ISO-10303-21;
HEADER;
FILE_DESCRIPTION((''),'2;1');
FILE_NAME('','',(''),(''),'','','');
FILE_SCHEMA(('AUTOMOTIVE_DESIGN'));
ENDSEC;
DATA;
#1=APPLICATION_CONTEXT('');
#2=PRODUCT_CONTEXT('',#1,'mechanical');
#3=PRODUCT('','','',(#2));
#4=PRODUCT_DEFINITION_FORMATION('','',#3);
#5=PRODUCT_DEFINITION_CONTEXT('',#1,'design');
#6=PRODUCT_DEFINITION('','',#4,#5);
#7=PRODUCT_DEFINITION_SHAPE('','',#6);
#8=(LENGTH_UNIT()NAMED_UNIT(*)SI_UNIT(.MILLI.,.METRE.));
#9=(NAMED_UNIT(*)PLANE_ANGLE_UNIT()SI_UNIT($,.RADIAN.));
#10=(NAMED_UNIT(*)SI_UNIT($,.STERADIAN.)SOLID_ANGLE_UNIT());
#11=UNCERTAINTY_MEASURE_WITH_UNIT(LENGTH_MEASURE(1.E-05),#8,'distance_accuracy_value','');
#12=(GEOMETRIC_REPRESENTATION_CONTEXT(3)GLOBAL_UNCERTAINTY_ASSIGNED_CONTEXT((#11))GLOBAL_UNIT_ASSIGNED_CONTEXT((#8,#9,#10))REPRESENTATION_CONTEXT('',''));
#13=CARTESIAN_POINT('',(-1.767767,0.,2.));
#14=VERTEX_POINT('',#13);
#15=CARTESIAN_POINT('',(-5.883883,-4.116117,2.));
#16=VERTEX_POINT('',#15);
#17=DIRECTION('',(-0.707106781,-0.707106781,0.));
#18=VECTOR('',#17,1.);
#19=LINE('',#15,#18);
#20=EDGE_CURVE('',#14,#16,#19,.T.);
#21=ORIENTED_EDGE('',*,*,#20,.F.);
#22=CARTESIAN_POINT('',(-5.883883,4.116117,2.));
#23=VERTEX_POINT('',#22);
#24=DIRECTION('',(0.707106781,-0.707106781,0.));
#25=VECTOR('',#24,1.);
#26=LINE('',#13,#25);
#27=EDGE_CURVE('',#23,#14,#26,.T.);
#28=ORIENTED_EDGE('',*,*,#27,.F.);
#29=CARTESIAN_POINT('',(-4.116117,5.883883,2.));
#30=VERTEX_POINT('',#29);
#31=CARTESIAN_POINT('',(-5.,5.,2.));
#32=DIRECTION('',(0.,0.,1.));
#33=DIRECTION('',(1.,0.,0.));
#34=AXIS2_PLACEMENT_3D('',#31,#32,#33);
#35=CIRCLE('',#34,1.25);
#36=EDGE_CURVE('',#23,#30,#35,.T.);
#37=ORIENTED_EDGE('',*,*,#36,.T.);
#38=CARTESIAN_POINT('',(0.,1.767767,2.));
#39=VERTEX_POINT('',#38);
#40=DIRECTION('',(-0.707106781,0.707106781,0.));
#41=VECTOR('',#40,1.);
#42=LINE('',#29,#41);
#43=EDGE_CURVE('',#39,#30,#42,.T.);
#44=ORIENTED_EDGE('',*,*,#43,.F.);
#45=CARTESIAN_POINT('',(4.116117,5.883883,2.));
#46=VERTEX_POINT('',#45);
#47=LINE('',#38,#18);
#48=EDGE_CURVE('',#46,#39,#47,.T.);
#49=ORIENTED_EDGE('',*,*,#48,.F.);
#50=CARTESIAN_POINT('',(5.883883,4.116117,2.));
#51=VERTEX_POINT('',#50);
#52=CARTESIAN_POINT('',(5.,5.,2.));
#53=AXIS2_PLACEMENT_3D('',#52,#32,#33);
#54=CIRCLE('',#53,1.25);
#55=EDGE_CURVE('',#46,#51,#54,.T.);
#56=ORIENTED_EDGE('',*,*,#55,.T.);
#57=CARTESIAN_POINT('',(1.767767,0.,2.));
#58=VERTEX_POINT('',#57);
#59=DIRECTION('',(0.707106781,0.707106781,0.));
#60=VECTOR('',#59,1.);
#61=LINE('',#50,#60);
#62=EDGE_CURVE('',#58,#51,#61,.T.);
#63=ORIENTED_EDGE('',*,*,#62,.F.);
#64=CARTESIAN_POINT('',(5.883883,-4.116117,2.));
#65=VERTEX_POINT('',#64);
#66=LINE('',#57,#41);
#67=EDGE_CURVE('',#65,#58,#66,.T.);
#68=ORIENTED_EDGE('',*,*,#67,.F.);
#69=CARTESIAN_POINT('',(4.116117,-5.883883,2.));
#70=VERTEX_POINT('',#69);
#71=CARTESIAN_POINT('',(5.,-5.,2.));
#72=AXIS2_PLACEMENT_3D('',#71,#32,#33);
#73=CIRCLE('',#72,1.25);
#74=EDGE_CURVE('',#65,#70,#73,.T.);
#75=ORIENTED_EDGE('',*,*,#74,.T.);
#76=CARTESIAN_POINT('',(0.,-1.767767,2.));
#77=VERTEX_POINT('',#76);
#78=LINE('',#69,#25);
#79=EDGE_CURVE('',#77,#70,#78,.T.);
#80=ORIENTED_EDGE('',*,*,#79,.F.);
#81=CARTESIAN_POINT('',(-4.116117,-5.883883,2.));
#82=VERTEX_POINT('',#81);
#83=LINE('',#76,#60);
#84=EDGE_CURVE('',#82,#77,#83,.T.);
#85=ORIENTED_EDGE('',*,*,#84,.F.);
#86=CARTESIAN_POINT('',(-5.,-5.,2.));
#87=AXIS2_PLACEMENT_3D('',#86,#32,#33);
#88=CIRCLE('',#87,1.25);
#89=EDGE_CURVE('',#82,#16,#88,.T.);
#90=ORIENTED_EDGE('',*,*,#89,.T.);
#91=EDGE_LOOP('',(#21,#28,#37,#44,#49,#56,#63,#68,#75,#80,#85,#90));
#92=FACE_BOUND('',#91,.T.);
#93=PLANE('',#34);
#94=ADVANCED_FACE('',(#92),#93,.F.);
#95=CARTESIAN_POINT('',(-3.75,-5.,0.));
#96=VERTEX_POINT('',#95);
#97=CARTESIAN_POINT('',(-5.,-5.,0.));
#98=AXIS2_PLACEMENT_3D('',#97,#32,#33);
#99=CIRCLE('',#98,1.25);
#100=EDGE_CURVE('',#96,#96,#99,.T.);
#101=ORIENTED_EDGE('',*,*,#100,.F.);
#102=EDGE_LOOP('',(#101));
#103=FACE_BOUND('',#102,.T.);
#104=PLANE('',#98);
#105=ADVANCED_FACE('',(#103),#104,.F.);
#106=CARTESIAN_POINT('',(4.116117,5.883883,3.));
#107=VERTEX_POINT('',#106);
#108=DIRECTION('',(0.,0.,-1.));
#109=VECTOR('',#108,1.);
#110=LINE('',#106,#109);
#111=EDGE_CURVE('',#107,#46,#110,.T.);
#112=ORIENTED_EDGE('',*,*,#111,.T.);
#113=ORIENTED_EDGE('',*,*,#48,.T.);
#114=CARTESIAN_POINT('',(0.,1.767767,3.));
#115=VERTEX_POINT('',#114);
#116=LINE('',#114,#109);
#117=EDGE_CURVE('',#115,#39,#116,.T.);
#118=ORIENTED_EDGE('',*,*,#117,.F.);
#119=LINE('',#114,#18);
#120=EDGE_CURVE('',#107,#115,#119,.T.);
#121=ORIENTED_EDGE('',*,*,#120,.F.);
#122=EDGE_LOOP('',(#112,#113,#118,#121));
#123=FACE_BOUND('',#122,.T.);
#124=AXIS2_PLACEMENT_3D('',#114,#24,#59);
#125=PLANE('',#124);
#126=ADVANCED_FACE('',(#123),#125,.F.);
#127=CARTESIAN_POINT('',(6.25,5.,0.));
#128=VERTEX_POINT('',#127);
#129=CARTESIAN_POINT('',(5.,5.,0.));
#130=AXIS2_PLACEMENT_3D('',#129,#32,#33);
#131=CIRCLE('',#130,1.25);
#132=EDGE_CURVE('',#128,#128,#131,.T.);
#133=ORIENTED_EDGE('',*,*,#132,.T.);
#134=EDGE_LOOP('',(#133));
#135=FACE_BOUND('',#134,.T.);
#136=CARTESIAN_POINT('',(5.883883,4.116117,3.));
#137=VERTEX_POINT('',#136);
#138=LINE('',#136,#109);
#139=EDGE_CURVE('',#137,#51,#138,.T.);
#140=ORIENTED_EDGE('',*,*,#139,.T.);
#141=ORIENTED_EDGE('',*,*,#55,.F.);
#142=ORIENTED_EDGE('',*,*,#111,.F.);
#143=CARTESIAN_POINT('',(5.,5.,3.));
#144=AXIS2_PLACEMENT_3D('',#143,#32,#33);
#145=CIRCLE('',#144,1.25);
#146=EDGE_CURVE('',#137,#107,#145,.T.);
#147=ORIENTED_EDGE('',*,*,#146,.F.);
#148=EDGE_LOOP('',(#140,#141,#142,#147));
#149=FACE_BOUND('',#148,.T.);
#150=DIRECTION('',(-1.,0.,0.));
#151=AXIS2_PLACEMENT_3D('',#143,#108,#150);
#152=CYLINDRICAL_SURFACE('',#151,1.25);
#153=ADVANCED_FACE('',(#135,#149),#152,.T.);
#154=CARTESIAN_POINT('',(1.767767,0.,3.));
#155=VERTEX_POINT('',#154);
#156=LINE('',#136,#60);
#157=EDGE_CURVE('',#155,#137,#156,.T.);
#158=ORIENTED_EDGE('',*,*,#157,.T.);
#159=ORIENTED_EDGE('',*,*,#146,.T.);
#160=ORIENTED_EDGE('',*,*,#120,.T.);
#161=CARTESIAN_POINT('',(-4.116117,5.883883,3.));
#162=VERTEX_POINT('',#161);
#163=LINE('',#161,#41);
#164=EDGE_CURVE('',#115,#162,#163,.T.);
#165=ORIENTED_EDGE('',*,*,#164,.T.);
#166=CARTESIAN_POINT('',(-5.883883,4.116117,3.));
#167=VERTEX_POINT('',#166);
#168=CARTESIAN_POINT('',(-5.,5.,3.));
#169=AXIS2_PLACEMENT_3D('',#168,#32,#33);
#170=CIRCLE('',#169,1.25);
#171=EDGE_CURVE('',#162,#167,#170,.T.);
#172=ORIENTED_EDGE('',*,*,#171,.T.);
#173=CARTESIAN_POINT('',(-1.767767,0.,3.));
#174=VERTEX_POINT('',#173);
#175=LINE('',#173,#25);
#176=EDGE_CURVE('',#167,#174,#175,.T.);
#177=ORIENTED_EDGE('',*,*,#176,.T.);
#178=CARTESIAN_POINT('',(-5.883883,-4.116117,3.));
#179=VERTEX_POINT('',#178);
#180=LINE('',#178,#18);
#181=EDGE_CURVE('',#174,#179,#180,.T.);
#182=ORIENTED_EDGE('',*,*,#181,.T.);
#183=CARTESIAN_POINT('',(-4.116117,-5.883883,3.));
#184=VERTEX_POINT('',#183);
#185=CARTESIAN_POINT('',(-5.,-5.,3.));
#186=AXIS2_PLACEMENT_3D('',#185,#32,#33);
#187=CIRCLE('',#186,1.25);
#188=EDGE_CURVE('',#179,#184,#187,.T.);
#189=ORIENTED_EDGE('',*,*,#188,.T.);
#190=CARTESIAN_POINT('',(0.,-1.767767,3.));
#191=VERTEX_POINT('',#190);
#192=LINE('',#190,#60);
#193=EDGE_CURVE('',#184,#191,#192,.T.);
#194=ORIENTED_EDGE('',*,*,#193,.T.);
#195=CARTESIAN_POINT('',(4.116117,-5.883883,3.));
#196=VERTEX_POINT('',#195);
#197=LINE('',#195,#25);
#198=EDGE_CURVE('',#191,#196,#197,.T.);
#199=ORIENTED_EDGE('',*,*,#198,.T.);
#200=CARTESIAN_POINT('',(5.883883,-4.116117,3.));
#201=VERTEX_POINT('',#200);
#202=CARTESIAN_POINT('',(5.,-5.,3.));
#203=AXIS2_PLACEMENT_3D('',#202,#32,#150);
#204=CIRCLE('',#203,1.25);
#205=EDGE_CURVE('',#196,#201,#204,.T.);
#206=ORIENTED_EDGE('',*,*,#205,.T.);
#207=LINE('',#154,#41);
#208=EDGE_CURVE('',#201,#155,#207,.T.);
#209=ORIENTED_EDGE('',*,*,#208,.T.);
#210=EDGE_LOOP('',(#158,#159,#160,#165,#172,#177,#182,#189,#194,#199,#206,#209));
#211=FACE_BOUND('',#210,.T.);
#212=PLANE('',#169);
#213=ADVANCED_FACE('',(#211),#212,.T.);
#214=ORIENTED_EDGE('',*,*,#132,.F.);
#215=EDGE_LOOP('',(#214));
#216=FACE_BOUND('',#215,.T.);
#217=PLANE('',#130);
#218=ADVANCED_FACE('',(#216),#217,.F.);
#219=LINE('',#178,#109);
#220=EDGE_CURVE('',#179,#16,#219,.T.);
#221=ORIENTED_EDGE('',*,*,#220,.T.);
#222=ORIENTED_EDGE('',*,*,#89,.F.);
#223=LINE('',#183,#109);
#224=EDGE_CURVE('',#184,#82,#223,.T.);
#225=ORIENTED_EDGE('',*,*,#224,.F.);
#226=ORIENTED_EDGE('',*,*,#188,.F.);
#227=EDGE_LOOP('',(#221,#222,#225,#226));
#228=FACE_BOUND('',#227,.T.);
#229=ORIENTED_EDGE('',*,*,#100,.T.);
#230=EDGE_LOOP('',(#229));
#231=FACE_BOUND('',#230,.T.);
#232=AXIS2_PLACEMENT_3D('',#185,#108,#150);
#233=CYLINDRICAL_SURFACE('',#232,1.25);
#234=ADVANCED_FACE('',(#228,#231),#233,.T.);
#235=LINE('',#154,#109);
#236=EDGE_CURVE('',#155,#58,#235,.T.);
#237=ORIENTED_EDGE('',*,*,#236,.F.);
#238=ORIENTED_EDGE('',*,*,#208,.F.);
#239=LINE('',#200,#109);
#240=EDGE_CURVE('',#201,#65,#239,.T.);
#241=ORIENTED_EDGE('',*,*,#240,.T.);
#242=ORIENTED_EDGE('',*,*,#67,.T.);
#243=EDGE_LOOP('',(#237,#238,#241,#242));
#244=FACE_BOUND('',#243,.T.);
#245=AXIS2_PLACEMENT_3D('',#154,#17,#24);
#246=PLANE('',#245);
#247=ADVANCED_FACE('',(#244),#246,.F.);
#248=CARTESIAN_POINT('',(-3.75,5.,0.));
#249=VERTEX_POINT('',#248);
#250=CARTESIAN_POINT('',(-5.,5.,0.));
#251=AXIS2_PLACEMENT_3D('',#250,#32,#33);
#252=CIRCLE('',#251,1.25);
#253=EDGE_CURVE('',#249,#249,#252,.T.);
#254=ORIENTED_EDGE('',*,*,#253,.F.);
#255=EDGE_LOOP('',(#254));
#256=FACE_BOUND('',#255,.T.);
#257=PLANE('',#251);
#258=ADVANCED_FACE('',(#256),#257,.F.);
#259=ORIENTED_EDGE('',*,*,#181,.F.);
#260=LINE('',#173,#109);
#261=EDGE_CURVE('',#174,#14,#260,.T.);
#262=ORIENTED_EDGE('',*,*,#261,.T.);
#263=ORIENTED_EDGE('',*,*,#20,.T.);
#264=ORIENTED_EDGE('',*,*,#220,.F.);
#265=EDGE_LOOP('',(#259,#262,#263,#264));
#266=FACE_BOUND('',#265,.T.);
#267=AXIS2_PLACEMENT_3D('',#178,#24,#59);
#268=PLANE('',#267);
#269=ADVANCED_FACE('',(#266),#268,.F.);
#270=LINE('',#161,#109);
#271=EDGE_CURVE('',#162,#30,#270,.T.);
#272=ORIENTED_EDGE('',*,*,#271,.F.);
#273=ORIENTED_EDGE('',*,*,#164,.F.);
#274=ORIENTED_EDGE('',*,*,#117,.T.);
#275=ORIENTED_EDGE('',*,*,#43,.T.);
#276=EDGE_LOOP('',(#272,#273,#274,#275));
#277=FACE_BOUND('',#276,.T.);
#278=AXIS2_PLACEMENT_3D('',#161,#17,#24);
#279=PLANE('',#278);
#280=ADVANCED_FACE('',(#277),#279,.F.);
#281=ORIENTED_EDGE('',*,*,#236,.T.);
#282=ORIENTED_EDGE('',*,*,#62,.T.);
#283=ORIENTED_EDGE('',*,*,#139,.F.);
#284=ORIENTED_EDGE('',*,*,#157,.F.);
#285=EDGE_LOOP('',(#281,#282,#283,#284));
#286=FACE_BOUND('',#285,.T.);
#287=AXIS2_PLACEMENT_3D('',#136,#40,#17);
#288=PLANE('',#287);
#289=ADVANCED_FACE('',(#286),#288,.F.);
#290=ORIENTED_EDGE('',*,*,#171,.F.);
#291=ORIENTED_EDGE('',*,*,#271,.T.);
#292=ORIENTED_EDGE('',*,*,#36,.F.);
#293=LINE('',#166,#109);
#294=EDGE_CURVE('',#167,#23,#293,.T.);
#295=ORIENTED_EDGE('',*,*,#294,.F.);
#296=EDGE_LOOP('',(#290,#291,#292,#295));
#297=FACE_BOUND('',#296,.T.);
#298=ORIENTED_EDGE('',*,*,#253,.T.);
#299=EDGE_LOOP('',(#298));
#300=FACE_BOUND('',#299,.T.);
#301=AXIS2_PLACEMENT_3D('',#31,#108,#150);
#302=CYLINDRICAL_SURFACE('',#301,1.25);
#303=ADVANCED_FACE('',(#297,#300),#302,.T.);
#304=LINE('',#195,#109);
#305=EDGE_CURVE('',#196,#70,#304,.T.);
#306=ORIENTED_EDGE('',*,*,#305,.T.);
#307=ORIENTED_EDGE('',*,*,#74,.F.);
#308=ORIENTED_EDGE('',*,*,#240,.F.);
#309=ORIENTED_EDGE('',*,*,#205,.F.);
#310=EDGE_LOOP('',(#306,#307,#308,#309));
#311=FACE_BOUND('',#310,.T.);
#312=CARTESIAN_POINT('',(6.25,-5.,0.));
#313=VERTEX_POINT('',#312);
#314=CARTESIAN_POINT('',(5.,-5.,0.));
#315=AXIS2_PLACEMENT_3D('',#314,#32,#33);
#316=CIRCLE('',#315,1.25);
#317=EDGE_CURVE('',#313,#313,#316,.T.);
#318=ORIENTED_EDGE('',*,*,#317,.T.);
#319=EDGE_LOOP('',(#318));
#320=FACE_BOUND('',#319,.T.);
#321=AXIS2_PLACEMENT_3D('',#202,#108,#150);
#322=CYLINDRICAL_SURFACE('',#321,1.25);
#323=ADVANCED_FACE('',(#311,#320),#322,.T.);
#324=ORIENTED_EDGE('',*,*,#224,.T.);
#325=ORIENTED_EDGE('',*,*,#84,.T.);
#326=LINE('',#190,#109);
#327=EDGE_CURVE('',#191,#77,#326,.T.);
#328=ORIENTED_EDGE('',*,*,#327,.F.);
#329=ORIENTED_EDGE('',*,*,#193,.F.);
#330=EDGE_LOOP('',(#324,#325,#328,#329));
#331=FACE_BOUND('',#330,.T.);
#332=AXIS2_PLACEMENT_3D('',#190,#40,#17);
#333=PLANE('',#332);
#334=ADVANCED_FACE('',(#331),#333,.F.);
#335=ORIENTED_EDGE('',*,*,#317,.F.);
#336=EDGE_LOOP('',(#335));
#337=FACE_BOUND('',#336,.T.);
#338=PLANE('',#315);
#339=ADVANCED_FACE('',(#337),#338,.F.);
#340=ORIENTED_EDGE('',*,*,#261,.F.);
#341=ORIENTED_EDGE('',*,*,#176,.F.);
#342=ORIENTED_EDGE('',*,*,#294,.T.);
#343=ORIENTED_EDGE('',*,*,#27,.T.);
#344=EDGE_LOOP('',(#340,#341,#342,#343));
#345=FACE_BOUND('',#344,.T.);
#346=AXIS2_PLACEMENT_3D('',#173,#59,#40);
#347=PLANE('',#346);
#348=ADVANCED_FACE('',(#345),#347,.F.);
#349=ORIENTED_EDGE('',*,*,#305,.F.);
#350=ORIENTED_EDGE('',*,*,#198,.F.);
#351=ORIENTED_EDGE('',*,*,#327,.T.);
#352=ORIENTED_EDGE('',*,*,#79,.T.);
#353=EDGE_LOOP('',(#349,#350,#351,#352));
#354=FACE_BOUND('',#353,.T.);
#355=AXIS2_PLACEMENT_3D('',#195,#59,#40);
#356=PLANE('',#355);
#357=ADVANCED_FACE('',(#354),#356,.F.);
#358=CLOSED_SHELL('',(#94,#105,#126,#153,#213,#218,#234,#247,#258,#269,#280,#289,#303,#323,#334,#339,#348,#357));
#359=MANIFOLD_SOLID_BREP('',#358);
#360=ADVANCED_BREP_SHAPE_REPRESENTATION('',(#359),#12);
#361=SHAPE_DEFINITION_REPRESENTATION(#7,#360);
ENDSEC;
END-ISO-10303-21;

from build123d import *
from build123d.topology import SkipClean

# Parameters (mm, degrees)
ESQUISSE1_R          = 1.25
BOSS_EXTRU_1_DEPTH   = 2
BOSS_EXTRU_1_2_DEPTH = 2
BOSS_EXTRU_1_3_DEPTH = 2
BOSS_EXTRU_1_4_DEPTH = 2
BOSS_EXTRU_2_DEPTH   = 1


with BuildPart() as part:
    # Esquisse1 → Boss.-Extru.1 (new body)
    with BuildSketch(Plane.XY):
        with Locations((-5, 5)):
            Circle(ESQUISSE1_R)
    extrude(amount=BOSS_EXTRU_1_DEPTH)



with BuildPart() as body_2:
    # Esquisse1 → Boss.-Extru.1 2 (new body)
    with BuildSketch(Plane.XY):
        with Locations((5, 5)):
            Circle(ESQUISSE1_R)
    extrude(amount=BOSS_EXTRU_1_2_DEPTH)


with BuildPart() as body_3:
    # Esquisse1 → Boss.-Extru.1 3 (new body)
    with BuildSketch(Plane.XY):
        with Locations((5, -5)):
            Circle(ESQUISSE1_R)
    extrude(amount=BOSS_EXTRU_1_3_DEPTH)


with BuildPart() as body_4:
    # Esquisse1 → Boss.-Extru.1 4 (new body)
    with BuildSketch(Plane.XY):
        with Locations((-5, -5)):
            Circle(ESQUISSE1_R)
    extrude(amount=BOSS_EXTRU_1_4_DEPTH)


with BuildPart() as part_1:
    with SkipClean():  # keep this step's faces unmerged: merging them makes the solid invalid here
        add(part.part)

        add(body_2.part)  # Boss.-Extru.2 merges body 2

        add(body_3.part)  # Boss.-Extru.2 merges body 3

        add(body_4.part)  # Boss.-Extru.2 merges body 4
        # Esquisse2 → Boss.-Extru.2 (add)
        with BuildSketch(Plane.XY.offset(2)):
            with BuildLine():
                Line((-5.883883476, -4.116116524), (-1.767766953, 0))
                Line((-1.767766953, 0), (-5.883883476, 4.116116524))
                ThreePointArc((-5.883883476, 4.116116524), (-5.883883476, 5.883883476), (-4.116116524, 5.883883476))
                Line((-4.116116524, 5.883883476), (0, 1.767766953))
                Line((0, 1.767766953), (4.116116524, 5.883883476))
                ThreePointArc((4.116116524, 5.883883476), (5.883883476, 5.883883476), (5.883883476, 4.116116524))
                Line((5.883883476, 4.116116524), (1.767766953, 0))
                Line((1.767766953, 0), (5.883883476, -4.116116524))
                ThreePointArc((5.883883476, -4.116116524), (5.883883476, -5.883883476), (4.116116524, -5.883883476))
                Line((4.116116524, -5.883883476), (0, -1.767766953))
                Line((0, -1.767766953), (-4.116116524, -5.883883476))
                ThreePointArc((-4.116116524, -5.883883476), (-5.883883476, -5.883883476), (-5.883883476, -4.116116524))
            make_face()
        extrude(amount=BOSS_EXTRU_2_DEPTH)


solid = part_1.part
